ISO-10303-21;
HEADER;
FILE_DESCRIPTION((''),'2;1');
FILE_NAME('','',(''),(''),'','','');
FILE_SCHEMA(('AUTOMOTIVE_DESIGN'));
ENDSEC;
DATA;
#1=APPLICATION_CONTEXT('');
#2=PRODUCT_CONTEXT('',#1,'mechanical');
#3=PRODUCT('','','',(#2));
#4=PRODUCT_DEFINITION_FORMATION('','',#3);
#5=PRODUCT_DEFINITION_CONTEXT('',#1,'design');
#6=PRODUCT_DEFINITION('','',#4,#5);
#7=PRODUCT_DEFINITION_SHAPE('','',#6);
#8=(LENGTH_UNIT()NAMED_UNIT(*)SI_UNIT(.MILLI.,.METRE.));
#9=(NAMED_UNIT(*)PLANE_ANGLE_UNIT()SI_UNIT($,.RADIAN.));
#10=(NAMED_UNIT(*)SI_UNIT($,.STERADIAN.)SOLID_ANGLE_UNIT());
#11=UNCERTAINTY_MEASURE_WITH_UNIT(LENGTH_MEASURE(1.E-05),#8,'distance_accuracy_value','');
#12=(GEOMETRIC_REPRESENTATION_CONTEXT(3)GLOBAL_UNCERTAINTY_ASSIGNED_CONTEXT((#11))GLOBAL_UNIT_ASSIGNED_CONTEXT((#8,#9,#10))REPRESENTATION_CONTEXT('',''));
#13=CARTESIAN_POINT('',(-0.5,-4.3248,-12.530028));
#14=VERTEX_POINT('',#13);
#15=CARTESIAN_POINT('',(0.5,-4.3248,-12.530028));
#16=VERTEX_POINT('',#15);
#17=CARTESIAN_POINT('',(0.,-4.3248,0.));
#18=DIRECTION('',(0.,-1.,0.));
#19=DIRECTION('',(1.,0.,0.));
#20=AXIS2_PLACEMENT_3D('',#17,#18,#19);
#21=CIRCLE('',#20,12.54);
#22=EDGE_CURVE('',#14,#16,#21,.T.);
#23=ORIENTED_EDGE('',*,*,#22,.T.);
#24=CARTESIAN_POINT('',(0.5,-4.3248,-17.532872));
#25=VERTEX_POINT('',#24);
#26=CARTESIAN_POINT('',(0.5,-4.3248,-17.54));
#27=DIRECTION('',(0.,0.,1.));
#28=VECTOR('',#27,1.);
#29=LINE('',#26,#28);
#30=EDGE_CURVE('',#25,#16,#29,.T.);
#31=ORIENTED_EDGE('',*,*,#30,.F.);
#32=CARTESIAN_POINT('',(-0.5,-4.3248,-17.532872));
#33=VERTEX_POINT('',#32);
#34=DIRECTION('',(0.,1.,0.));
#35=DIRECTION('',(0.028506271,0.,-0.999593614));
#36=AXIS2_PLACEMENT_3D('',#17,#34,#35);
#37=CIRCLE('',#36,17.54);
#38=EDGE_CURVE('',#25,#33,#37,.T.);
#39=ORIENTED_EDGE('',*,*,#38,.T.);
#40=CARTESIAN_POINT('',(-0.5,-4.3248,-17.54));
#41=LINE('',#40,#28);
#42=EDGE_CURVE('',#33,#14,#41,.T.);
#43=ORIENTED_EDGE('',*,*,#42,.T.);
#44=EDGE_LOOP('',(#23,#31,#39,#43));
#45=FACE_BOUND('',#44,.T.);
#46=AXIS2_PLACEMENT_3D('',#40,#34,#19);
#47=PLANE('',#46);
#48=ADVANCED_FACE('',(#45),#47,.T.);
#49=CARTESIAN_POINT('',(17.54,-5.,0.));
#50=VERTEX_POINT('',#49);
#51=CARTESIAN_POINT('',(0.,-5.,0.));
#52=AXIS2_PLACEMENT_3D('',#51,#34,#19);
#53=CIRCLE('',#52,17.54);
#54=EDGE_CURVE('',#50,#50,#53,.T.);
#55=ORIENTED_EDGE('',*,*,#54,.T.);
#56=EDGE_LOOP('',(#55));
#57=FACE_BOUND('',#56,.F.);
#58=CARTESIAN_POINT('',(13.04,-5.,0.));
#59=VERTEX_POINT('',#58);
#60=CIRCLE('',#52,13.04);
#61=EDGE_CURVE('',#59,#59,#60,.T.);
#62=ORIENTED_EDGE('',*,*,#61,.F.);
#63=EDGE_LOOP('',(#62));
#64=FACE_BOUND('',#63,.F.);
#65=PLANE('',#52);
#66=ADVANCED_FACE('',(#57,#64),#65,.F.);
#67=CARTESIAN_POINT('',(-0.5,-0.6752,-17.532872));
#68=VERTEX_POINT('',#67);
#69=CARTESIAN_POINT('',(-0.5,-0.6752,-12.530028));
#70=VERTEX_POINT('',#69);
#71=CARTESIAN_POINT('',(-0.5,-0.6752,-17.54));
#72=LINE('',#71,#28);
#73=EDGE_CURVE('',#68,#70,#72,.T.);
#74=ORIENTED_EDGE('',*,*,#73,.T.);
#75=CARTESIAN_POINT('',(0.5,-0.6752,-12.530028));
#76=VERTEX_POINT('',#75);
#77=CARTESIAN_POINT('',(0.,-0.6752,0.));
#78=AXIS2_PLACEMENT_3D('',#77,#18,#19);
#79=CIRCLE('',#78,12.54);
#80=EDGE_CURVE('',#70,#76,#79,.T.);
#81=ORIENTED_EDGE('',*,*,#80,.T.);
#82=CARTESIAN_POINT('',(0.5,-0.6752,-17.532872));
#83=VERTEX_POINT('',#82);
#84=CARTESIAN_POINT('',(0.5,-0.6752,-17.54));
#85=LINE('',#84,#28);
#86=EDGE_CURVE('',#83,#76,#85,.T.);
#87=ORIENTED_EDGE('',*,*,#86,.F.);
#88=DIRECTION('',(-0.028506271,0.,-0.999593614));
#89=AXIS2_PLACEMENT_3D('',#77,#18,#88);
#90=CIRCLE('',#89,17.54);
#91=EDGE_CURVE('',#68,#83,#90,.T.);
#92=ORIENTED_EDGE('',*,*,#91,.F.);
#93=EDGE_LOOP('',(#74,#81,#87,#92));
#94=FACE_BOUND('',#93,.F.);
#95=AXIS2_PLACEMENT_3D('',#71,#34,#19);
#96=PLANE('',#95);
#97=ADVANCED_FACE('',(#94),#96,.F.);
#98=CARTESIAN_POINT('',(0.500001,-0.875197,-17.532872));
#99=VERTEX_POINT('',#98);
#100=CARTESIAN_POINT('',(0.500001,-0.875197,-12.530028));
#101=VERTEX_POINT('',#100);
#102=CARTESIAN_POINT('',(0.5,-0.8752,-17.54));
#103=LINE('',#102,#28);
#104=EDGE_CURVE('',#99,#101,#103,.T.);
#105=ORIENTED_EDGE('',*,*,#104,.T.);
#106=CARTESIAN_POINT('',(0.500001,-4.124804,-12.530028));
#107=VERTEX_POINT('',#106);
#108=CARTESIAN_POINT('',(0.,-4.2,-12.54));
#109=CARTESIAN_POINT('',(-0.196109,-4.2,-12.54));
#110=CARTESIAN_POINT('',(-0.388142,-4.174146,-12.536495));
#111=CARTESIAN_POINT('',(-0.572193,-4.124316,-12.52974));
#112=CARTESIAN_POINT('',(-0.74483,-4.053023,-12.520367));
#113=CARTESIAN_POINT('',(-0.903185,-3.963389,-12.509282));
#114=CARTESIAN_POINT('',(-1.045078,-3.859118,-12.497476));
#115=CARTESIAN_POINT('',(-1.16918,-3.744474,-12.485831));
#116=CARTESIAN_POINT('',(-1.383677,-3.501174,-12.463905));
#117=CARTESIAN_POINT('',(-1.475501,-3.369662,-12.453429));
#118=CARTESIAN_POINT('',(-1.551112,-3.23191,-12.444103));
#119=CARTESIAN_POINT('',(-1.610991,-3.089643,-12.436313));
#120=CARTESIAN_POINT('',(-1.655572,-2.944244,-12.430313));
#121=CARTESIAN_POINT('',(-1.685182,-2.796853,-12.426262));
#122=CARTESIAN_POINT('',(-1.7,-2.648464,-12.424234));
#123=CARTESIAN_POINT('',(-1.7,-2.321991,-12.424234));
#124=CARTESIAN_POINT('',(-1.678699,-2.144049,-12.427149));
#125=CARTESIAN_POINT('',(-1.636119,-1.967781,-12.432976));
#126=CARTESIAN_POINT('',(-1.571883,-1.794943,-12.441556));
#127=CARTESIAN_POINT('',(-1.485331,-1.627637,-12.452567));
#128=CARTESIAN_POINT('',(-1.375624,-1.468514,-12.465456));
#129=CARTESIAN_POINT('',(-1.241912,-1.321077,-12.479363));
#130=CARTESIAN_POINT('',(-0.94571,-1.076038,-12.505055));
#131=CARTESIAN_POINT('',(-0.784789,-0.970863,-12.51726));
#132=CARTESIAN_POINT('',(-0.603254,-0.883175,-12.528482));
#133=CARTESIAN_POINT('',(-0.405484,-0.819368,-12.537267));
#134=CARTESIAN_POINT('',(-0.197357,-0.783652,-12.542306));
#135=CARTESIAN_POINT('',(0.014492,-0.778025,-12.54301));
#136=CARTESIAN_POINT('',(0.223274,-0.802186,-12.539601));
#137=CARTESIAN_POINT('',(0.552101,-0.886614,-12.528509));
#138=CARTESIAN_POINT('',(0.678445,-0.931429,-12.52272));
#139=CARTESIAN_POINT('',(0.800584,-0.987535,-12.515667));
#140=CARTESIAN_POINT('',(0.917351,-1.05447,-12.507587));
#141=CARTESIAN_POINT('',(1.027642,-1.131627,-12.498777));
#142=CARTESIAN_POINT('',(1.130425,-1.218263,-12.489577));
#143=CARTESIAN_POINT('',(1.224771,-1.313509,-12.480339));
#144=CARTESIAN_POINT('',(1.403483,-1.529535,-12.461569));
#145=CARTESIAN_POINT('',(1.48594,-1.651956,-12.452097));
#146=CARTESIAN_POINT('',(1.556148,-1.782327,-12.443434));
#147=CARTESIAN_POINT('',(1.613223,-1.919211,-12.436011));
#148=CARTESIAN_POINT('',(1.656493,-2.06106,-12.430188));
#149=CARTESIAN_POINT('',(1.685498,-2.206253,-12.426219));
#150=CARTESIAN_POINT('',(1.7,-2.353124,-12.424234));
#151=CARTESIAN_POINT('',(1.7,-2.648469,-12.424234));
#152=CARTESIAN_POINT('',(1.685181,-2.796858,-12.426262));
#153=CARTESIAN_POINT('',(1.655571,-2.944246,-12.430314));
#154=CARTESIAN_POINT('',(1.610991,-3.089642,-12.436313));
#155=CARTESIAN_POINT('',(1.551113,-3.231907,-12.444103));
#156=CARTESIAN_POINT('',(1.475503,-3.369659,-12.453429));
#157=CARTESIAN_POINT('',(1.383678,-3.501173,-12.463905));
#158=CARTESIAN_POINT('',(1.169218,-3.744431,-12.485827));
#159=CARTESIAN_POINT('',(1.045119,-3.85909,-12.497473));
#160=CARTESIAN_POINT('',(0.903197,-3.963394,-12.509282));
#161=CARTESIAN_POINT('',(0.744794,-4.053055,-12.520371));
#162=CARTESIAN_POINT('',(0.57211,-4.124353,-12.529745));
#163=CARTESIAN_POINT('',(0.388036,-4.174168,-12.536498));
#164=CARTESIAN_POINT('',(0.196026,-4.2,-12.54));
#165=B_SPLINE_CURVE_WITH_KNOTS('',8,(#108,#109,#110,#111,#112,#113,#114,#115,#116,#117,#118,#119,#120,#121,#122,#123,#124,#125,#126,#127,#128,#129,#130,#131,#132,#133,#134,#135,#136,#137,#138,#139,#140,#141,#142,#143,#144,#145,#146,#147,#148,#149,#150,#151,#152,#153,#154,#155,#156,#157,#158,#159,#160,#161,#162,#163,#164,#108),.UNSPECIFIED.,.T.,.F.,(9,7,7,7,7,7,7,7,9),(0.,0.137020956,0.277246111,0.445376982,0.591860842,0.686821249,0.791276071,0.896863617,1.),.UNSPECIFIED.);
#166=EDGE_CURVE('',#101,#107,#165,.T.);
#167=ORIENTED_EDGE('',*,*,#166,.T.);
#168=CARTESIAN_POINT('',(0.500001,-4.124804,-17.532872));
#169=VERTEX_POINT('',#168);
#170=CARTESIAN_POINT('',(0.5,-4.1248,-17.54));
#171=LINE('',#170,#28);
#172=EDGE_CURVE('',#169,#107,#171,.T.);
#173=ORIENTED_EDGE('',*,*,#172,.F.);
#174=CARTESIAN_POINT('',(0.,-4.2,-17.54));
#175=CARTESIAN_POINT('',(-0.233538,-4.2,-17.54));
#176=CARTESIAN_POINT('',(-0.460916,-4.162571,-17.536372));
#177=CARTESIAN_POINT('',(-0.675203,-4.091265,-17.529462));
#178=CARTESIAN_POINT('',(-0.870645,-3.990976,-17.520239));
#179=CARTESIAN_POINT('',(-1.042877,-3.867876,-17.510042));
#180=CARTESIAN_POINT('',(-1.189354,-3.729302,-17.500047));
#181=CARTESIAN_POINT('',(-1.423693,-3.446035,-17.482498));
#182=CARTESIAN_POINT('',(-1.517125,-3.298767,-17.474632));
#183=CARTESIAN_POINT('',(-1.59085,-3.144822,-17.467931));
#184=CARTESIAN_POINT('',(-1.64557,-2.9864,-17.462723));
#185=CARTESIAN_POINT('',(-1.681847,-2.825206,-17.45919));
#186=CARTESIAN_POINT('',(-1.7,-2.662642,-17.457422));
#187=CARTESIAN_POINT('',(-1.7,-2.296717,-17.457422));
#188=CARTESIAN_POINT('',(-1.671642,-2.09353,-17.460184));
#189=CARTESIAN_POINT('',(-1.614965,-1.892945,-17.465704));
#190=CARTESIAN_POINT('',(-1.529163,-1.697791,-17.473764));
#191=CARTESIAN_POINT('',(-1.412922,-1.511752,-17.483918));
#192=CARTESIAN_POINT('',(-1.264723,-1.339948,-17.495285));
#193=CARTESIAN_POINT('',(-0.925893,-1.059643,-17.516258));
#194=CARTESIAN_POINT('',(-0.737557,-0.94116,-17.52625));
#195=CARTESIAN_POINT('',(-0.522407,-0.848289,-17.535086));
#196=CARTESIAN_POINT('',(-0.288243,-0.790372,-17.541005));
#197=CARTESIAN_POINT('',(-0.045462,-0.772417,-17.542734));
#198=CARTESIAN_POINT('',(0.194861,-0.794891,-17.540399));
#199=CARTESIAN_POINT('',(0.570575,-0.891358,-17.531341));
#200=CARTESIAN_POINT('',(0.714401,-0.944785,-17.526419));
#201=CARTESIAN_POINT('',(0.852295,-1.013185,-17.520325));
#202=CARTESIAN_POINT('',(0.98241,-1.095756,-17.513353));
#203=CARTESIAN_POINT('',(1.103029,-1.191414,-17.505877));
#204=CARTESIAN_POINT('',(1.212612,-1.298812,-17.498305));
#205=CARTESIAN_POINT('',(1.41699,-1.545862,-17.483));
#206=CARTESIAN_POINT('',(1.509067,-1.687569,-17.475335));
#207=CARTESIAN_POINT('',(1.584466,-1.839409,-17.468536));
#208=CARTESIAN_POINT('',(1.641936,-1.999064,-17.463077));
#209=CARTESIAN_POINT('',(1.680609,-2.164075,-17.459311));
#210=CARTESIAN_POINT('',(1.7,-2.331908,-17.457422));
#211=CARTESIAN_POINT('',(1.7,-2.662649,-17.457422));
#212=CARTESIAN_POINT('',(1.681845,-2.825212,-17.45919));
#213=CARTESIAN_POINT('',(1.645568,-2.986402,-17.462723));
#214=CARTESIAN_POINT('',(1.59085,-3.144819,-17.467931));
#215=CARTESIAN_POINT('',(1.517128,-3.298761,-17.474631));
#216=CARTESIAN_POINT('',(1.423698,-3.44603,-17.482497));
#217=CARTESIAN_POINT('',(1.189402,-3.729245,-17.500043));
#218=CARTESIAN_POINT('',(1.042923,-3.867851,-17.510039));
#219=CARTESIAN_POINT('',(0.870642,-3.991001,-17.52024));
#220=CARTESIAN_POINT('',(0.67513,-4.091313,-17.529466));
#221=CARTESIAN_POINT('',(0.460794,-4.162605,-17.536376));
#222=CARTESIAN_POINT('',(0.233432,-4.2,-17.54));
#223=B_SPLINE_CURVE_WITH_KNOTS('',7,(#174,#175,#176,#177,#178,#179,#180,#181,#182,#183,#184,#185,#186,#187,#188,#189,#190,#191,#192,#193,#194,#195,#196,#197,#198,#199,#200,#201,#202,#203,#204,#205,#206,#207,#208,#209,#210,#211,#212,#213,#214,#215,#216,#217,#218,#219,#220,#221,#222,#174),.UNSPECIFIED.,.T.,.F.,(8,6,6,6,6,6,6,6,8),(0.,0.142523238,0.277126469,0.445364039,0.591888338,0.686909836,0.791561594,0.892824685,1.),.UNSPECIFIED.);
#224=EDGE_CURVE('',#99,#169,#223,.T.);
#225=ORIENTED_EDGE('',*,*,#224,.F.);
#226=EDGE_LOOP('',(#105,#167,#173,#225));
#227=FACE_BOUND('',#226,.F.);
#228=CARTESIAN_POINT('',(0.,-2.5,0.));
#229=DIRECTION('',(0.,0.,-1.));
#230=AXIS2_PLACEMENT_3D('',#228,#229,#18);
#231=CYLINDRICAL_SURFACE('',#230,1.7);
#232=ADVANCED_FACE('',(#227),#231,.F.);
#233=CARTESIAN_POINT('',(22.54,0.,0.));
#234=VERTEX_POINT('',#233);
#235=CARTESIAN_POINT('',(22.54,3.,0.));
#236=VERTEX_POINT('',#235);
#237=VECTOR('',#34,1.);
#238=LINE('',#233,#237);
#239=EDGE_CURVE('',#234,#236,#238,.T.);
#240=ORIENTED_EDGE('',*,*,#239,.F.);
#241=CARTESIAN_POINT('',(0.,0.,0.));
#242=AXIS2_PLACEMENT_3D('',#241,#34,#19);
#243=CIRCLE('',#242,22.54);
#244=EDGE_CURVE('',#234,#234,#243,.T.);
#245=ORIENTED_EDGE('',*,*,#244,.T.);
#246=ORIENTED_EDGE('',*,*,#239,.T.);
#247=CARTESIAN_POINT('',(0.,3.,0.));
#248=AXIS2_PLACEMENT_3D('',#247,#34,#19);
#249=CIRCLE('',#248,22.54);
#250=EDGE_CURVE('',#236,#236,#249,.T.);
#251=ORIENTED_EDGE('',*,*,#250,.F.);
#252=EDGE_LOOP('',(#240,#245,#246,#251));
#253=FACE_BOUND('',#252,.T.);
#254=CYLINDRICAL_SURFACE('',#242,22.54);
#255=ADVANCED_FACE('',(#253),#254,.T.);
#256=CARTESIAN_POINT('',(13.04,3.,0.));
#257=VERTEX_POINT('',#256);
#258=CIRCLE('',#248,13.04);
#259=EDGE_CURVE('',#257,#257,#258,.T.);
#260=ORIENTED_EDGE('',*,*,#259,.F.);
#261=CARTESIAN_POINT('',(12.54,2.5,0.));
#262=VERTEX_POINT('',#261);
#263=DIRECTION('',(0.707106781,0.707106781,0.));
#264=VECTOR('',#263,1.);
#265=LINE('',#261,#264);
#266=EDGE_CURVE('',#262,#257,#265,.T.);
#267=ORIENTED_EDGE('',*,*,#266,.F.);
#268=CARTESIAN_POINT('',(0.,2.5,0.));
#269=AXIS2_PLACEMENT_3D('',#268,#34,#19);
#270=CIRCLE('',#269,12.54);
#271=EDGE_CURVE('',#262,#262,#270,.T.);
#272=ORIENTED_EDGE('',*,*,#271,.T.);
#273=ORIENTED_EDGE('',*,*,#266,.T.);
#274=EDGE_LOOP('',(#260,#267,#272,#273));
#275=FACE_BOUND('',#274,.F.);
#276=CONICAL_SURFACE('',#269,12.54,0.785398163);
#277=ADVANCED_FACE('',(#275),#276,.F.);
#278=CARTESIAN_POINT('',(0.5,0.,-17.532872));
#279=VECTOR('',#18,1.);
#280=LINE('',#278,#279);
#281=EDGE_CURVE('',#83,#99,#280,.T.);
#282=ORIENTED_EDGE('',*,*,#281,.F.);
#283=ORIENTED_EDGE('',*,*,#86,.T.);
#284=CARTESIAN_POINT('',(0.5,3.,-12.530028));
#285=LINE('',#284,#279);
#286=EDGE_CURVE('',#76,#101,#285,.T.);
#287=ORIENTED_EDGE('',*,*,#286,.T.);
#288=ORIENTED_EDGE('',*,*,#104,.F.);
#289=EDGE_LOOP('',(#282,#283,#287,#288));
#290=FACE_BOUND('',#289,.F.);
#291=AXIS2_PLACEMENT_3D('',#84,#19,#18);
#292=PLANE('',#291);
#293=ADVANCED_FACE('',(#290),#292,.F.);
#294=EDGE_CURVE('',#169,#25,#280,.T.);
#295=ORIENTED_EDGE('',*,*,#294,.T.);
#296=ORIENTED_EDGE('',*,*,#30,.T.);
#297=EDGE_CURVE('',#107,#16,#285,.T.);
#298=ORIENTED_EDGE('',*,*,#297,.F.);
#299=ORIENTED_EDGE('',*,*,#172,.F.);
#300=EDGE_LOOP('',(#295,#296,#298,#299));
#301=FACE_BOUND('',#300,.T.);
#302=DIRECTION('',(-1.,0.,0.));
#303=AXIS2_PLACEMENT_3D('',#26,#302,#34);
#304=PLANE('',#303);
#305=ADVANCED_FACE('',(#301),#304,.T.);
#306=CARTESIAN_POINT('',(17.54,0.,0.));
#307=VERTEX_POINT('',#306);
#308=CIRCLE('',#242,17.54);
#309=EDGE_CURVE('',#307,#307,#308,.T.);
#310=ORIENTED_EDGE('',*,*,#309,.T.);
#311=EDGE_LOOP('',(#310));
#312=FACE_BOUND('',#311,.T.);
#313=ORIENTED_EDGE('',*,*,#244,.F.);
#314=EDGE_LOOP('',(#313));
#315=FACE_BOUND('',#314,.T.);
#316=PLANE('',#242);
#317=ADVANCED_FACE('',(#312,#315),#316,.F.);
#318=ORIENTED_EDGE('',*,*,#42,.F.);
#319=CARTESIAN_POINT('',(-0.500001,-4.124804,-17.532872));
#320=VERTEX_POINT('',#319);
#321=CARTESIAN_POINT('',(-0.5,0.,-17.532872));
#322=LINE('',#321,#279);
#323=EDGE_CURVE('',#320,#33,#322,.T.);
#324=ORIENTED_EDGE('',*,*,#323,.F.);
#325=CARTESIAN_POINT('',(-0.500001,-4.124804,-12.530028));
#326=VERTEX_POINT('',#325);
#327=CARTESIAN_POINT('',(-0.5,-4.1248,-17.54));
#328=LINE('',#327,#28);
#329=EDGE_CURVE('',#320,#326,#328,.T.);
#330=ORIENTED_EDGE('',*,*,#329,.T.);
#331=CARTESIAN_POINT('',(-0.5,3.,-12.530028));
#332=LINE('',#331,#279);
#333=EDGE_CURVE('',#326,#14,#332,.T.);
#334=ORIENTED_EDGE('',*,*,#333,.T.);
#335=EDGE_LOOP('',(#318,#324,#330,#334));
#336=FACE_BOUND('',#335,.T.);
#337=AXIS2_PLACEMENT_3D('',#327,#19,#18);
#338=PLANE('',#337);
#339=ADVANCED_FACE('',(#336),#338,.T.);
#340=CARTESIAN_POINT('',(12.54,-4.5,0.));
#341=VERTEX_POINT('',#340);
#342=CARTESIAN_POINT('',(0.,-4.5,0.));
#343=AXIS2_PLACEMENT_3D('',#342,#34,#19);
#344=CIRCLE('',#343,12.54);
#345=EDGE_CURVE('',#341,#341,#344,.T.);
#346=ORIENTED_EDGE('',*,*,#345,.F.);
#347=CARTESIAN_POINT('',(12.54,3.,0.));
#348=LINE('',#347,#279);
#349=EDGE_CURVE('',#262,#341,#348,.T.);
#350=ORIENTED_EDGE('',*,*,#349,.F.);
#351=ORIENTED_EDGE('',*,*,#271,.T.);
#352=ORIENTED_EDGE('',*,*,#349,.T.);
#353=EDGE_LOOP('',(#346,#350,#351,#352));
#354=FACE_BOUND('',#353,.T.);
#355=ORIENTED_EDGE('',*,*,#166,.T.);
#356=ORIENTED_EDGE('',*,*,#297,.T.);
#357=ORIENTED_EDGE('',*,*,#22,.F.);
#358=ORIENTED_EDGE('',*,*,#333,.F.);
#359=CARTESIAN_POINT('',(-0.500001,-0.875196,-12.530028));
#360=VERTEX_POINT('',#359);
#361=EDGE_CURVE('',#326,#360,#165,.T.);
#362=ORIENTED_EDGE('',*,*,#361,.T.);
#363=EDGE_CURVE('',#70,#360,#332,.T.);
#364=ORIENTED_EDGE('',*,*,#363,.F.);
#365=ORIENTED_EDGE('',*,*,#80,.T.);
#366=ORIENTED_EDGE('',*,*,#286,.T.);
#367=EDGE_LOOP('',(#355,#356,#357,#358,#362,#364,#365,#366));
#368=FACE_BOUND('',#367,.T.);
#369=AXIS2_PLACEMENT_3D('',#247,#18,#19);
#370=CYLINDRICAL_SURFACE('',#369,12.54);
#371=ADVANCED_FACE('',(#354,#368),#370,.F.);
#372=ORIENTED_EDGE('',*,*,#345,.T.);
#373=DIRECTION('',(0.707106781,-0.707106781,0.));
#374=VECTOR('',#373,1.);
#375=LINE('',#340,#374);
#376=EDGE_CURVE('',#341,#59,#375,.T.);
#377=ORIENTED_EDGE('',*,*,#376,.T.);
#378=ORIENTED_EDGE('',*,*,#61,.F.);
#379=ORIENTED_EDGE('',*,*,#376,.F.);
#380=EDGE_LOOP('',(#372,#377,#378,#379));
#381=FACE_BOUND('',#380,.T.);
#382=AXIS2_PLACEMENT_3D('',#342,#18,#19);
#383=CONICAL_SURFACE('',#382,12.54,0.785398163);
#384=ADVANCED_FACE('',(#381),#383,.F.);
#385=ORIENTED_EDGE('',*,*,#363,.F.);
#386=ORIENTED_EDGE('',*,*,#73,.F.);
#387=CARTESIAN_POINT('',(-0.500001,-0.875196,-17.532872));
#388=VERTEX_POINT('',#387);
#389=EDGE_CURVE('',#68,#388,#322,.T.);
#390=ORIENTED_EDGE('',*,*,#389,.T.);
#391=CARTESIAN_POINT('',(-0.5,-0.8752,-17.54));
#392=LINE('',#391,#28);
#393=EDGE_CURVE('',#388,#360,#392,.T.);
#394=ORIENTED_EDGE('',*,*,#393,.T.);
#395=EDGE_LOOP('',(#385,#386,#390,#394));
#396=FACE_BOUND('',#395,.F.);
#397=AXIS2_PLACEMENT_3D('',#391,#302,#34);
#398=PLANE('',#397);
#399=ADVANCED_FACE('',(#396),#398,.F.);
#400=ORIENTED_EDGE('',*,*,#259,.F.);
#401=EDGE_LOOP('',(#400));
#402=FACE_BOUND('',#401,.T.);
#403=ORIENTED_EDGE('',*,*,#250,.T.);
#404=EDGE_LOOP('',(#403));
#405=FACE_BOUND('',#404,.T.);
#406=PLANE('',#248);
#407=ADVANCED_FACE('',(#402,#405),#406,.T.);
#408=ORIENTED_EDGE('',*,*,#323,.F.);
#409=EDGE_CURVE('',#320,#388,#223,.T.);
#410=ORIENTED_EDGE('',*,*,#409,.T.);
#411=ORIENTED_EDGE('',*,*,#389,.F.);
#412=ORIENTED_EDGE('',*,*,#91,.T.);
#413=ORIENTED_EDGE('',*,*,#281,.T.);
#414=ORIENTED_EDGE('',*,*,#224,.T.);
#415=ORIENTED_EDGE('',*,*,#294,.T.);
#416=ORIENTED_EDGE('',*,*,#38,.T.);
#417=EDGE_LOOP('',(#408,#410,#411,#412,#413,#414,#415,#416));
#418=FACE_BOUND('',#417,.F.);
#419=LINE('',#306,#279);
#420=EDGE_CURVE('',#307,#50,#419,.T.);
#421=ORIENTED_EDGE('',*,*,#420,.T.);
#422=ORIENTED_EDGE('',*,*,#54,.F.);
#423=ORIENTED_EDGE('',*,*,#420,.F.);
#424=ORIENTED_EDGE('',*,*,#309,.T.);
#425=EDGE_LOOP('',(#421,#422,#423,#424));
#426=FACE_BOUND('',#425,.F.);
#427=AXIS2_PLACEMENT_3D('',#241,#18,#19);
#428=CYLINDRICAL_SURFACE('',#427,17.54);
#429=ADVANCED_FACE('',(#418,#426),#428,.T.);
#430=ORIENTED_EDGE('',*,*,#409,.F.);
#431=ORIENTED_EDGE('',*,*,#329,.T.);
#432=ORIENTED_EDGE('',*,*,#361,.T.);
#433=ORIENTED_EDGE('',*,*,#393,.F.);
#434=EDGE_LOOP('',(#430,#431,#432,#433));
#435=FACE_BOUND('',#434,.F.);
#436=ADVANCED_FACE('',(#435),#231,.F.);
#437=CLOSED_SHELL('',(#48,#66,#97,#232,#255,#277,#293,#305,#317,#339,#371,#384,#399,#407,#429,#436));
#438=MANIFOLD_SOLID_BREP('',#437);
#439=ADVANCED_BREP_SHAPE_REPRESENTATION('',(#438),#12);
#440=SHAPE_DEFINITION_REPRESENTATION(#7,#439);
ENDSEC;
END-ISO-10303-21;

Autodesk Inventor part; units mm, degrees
ref_plane "YZ Plane" through (0, 0, 0) normal (1, 0, 0) x (0, 1, 0)
ref_plane "XZ Plane" through (0, 0, 0) normal (0, 1, 0) x (-1, 0, 0)
sketch "Sketch1" plane through (0, 0, 0) normal (0, 0, 1) x (1, 0, 0)
  line L0 (12.54, 0) -> (22.54, 0)
  line L1 (22.54, 0) -> (22.54, 3)
  line L2 (22.54, 3) -> (12.54, 3)
  line L3 (12.54, 3) -> (12.54, 0)
  line L4 (12.54, 0) -> (17.54, 0)
  line L5 (17.54, 0) -> (17.54, -5)
  line L6 (17.54, -5) -> (12.54, -5)
  line L7 (12.54, -5) -> (12.54, 0)
  line L8 (0, -6.6) -> (0, 4.6) projected
  point P0 (0, 0)
  point P1 (17.54, 0)
  dimension "d0" = 3
  dimension "d1" = 12.54
  dimension "d2" = 10
  dimension "d3" = 5
  dimension "d4" = 5
revolve "Revolution1" add sketch "Sketch1" angle 360 about axis through (0, -10, 0) along (0, 1, 0)
sketch "Sketch2" plane through (0, 0, 0) normal (0, 0, 1) x (1, 0, 0)
  line L0 (12.54, -5) -> (-12.54, -5) projected
  line L1 (12.54, 3) -> (-12.54, 3) projected
  line L2 (0, 0) -> (0, -5) construction
  point P0 (0, -2.5)
hole "Hole1" at (0, -2.5, 0) direction (0, 0, -1) diameter 3.4 end through all clearance for "Hex Head Cap Screw ISO 24017" size "M3" standard "ISO"
chamfer "Chamfer1" distance 0.5 angle 45 2 edges at (-12.54, -5, 0) (-12.54, 3, 0)
ref_plane "Work Plane1" through (0, 0, -17.54) normal (0, 0, 1) x (1, 0, 0)
sketch "Sketch3" plane through (0, 0, -17.54) normal (0, 0, 1) x (1, 0, 0)
  line L0 (-0.5, -0.8752) -> (0.5, -0.8752)
  line L1 (0.5, -0.8752) -> (0.5, -4.1248)
  line L2 (0.5, -4.1248) -> (-0.5, -4.1248)
  line L3 (-0.5, -4.1248) -> (-0.5, -0.8752)
  line L4 (-0.5, -0.8752) -> (0.5, -4.1248) construction
  line L5 (0.5, -0.8752) -> (-0.5, -4.1248) construction
  line L6 (0.5, -4.1248) -> (-0.5, -4.1248)
  line L7 (-0.5, -4.1248) -> (-0.5, -4.3248)
  line L8 (-0.5, -4.3248) -> (0.5, -4.3248)
  line L9 (0.5, -4.3248) -> (0.5, -4.1248)
  line L10 (0.5, -0.8752) -> (-0.5, -0.8752)
  line L11 (-0.5, -0.8752) -> (-0.5, -0.6752)
  line L12 (-0.5, -0.6752) -> (0.5, -0.6752)
  line L13 (0.5, -0.6752) -> (0.5, -0.8752)
  point P0 (0, 0)
  point P1 (1.7, -2.5)
  point P2 (1.7, -2.5)
  point P3 (1.7, -2.5)
  point P4 (0, -2.5)
  dimension "d22" = 1
  dimension "d24" = 0.2
  dimension "d25" = 0.2
extrude "Extrusion1" cut sketch "Sketch3" along normal blind 20 contours L11 L12 L13 L0 | L2 L9 L8 L7
properties part number "spring safety  for print"
